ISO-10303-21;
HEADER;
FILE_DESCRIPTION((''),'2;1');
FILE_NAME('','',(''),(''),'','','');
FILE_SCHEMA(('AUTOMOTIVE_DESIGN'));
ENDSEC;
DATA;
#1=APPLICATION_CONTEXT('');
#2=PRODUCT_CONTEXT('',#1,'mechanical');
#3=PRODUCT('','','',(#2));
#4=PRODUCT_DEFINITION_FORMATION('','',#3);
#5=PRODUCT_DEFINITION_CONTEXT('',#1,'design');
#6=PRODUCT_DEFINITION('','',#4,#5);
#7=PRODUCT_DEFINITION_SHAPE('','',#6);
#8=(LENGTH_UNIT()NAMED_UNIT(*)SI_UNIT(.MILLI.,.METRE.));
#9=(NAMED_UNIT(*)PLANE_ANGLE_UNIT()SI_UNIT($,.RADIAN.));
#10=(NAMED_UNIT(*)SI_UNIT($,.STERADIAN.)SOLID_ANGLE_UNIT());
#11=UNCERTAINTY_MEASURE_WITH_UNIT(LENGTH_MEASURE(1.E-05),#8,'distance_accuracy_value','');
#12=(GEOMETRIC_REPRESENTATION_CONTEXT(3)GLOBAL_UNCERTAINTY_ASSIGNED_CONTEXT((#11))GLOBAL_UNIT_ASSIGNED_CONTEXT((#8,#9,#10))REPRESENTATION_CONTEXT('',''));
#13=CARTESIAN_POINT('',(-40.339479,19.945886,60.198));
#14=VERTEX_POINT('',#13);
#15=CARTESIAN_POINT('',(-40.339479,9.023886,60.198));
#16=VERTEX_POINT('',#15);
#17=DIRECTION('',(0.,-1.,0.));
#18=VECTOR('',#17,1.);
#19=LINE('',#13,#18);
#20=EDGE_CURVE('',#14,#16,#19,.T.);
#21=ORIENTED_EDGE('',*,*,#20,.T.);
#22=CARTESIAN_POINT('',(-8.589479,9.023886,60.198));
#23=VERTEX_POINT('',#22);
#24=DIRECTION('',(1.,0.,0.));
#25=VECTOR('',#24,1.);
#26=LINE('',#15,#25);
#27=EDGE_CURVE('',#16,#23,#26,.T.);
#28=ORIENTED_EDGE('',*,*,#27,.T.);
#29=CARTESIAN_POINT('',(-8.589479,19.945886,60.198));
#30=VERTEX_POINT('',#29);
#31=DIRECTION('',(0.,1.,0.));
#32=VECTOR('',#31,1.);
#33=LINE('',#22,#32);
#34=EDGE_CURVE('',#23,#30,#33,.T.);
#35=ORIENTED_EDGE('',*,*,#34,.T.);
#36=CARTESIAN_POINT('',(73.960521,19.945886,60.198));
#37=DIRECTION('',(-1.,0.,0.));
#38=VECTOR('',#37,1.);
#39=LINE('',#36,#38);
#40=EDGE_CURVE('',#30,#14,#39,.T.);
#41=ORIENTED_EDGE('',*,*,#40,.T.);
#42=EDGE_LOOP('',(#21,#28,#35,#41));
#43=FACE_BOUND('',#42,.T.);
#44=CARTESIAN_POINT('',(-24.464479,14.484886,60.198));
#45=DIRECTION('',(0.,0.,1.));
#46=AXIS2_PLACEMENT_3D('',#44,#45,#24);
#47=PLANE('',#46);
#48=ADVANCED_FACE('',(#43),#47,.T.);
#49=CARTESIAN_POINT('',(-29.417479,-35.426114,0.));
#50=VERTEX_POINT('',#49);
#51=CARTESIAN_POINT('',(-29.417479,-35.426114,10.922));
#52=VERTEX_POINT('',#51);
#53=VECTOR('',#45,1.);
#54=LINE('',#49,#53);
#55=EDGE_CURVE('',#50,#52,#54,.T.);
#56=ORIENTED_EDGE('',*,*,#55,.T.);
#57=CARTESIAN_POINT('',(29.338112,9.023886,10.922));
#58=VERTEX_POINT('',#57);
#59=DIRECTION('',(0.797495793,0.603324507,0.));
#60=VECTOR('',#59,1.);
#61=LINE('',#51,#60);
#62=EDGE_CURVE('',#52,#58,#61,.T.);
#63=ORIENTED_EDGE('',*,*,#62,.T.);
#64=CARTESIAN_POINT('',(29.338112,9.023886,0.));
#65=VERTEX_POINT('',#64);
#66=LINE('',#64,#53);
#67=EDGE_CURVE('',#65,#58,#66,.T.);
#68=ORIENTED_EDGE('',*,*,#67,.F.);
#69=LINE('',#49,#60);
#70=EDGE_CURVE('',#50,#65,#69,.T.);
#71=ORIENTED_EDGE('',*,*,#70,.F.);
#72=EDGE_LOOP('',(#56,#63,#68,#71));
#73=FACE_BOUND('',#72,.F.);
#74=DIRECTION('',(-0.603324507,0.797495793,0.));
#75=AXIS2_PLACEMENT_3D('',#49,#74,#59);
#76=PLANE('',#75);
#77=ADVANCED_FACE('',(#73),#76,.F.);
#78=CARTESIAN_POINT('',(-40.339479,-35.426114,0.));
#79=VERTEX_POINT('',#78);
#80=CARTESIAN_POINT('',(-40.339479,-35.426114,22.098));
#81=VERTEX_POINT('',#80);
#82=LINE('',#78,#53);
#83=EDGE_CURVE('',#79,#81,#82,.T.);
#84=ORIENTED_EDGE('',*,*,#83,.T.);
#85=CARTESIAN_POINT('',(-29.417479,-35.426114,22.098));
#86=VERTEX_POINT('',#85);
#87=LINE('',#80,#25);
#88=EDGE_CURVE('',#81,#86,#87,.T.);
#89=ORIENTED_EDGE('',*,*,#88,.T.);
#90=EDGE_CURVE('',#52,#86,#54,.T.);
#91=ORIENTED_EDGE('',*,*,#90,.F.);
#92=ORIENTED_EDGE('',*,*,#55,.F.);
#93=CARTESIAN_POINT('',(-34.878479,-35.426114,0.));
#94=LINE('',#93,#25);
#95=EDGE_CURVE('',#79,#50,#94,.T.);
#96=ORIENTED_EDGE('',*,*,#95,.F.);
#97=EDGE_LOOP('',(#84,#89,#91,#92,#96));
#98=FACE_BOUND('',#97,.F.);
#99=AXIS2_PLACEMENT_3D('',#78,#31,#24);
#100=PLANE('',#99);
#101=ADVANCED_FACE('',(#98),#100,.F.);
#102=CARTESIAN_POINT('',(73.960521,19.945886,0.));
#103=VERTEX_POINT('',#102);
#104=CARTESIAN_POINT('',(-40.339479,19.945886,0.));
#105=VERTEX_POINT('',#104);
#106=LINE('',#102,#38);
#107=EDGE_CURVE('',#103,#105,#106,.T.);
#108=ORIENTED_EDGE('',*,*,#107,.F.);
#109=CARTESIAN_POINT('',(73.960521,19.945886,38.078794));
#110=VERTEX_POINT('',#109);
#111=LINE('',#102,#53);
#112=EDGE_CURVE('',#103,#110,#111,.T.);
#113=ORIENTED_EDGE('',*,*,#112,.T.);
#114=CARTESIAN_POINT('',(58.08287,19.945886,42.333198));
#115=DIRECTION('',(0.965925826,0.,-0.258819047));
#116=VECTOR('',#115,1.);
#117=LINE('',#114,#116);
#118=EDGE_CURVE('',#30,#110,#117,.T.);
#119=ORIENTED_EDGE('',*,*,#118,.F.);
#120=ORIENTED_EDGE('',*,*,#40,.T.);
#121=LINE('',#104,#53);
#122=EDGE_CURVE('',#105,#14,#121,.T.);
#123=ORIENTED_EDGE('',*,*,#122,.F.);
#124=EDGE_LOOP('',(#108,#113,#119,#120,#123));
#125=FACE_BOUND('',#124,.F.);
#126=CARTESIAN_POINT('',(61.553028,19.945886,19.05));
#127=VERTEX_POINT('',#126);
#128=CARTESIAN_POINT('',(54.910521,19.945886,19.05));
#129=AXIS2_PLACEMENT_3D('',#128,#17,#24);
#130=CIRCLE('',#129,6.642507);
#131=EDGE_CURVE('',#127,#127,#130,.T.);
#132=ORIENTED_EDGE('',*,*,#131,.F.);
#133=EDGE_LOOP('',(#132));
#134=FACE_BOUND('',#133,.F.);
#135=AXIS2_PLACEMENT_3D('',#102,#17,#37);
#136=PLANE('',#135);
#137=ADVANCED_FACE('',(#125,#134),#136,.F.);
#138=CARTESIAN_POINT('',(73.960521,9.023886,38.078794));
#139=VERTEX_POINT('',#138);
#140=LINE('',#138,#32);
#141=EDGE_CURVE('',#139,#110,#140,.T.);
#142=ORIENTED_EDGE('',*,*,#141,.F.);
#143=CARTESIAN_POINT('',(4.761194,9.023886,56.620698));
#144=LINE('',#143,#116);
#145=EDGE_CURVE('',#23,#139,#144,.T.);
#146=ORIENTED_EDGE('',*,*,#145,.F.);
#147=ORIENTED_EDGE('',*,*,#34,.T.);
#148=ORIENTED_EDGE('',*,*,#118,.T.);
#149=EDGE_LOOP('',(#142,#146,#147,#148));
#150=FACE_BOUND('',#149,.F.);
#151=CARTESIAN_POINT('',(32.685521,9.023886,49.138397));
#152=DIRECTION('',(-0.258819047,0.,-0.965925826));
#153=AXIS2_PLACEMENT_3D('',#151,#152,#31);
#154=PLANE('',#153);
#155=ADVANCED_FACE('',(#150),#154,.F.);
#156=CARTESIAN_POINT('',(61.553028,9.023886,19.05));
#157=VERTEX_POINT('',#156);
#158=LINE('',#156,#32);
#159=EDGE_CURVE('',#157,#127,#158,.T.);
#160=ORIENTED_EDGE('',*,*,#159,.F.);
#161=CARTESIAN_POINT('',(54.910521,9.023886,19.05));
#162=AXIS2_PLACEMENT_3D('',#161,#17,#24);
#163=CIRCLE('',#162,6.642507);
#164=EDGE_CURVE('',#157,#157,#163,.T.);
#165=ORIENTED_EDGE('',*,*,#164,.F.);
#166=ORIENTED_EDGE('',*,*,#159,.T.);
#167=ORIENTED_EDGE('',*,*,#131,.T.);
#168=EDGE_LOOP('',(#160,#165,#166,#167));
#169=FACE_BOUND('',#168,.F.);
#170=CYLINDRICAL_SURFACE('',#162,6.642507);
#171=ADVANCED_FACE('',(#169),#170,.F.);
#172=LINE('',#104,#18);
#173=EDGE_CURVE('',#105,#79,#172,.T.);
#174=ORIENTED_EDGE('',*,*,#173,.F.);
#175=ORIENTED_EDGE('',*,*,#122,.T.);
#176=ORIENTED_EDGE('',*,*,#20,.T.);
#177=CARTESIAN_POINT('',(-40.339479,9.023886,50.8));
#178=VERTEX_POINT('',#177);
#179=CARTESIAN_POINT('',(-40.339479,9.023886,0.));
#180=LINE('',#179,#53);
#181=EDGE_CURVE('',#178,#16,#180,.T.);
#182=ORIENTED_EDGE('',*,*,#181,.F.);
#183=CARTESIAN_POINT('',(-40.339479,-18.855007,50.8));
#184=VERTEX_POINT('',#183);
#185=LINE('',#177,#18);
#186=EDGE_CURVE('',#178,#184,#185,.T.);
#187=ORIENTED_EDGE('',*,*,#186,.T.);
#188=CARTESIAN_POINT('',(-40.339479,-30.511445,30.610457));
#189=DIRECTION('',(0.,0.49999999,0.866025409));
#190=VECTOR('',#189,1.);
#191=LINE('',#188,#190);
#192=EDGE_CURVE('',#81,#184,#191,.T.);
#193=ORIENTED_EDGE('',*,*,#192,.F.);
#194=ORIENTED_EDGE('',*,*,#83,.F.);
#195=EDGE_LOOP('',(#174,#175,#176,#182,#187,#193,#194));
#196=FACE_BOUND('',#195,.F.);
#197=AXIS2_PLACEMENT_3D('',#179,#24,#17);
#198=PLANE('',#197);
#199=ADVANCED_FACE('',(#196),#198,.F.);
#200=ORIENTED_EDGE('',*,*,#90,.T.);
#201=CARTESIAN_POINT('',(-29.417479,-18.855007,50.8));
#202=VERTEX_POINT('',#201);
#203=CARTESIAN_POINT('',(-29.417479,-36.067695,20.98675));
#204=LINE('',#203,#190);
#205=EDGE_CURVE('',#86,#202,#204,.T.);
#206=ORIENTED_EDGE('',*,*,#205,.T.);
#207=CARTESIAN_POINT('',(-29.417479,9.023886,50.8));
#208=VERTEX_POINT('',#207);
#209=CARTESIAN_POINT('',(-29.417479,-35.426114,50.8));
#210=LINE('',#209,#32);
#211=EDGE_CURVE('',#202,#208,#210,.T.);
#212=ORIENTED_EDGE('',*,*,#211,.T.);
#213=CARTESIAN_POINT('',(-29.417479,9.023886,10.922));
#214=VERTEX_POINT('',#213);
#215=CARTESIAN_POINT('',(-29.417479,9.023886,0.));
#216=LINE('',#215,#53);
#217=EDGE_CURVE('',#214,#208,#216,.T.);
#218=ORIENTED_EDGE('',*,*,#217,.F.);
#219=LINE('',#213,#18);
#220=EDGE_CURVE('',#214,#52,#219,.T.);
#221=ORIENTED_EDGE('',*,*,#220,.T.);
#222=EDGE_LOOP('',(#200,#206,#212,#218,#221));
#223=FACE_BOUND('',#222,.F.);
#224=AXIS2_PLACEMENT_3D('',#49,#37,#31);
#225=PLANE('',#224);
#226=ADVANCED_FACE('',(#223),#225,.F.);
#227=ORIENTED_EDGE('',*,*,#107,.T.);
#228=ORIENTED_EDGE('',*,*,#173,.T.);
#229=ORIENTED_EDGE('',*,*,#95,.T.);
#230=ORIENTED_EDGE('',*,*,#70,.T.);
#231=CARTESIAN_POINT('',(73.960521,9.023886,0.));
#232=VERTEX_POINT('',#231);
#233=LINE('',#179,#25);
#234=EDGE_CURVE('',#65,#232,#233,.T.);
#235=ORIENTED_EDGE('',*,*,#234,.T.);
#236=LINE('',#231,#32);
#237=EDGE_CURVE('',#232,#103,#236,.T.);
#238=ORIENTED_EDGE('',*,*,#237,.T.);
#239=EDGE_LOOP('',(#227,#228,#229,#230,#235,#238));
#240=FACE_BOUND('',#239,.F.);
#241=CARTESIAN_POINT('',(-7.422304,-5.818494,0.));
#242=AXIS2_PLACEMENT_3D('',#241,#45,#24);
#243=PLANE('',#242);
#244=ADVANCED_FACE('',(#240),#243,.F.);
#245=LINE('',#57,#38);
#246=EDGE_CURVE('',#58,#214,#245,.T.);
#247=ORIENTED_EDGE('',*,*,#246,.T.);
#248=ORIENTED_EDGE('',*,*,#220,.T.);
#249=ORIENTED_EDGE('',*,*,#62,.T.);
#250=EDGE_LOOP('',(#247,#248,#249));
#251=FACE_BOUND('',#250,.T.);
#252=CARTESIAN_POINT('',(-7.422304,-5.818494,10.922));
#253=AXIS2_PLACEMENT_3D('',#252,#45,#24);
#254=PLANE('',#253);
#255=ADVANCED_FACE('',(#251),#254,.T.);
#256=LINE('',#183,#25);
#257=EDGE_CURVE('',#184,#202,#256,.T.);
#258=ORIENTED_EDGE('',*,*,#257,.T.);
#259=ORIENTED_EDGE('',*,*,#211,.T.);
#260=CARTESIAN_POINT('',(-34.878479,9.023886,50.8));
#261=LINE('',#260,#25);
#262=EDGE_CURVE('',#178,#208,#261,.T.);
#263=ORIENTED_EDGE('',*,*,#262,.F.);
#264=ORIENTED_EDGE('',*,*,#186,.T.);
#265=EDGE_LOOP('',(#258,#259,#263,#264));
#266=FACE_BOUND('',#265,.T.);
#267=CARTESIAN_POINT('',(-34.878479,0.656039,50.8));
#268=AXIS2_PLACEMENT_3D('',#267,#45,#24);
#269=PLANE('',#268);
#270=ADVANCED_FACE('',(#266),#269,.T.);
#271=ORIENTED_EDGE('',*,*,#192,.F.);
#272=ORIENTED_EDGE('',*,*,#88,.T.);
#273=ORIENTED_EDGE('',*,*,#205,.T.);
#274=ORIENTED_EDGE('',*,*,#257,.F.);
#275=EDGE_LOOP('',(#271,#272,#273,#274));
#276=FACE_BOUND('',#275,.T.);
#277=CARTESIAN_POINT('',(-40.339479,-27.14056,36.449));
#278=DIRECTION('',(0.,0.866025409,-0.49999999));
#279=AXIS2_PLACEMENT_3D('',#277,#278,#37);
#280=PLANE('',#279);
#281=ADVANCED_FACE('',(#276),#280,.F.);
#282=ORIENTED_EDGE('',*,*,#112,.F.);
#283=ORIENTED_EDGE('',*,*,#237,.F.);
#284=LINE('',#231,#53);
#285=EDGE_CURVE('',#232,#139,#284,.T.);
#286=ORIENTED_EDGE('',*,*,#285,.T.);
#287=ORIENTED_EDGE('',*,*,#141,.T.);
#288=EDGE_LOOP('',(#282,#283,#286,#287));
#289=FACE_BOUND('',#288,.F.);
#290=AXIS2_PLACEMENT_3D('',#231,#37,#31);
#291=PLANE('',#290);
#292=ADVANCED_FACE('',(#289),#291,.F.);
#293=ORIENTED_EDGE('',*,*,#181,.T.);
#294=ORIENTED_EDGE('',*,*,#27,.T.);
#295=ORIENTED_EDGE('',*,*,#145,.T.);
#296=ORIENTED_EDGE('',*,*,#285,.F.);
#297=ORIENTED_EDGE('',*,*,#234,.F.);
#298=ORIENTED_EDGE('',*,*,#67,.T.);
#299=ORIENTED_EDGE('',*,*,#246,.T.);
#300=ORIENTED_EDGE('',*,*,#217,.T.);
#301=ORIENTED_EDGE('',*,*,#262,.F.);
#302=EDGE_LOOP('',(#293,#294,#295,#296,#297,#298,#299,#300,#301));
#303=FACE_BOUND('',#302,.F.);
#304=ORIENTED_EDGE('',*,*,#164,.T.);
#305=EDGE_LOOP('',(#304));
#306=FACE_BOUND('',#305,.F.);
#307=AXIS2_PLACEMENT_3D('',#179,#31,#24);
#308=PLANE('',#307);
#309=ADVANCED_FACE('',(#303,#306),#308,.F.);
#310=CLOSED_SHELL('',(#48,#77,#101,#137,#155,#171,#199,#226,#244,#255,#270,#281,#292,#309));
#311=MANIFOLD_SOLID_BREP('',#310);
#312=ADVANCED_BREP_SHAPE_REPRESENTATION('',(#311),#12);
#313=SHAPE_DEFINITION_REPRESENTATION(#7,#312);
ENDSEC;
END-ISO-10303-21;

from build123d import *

# Parameters (mm, degrees)
F1_DEPTH = 60.198
F0_W     = 10.922
F0_H     = 16.735694
F0_H_2   = 27.714306
F2_DEPTH = 50.8
F3_DEPTH = 10.922
F4_R     = 6.642507
F5_DEPTH = 10.923
F6_SIZE2 = 16.571107
F6_SIZE  = 28.702
F7_SIZE2 = 22.119206
F7_SIZE  = 82.55


with BuildPart() as f1:
    # F0 (on Top) → F1 (new body)
    with BuildSketch(Plane.XY):
        Polygon((-8.589479, 19.945886), (-40.339479, 19.945886), (-40.339479, 9.023886), (-29.417479, 9.023886), (-8.589479, 9.023886), align=None)
        Polygon((73.960521, 19.945886), (-8.589479, 19.945886), (-8.589479, 9.023886), (29.338112, 9.023886), (73.960521, 9.023886), align=None)
    extrude(amount=F1_DEPTH)

    # F0 (on Top) → F2 (join)
    with BuildSketch(Plane.XY):
        with Locations((-34.878479, 0.656039)):
            Rectangle(F0_W, F0_H)
        with Locations((-34.878479, -21.568961)):
            Rectangle(F0_W, F0_H_2)
    extrude(amount=F2_DEPTH)

    # F0 (on Top) → F3 (join)
    with BuildSketch(Plane.XY):
        Polygon((29.338112, 9.023886), (-8.589479, 9.023886), (-29.417479, 9.023886), (-29.417479, -7.711808), (-29.417479, -35.426114), align=None)
    extrude(amount=F3_DEPTH)

    # F4 (on face) → F5 (cut, through all)
    with BuildSketch(Plane.XZ.offset(-9.023886)):
        with Locations((54.910521, 19.05)):
            Circle(F4_R)
    extrude(amount=-F5_DEPTH, mode=Mode.SUBTRACT)

    # F6
    f6_edges = [f1.edges().sort_by_distance(p)[0] for p in [
        (-34.878479, -35.426114, 50.8),
    ]]
    chamfer(f6_edges, length=F6_SIZE, length2=F6_SIZE2)

    # F7
    f7_edges = [f1.edges().sort_by_distance(p)[0] for p in [
        (73.960521, 14.484886, 60.198),
    ]]
    chamfer(f7_edges, length=F7_SIZE, length2=F7_SIZE2)


solid = f1.part
